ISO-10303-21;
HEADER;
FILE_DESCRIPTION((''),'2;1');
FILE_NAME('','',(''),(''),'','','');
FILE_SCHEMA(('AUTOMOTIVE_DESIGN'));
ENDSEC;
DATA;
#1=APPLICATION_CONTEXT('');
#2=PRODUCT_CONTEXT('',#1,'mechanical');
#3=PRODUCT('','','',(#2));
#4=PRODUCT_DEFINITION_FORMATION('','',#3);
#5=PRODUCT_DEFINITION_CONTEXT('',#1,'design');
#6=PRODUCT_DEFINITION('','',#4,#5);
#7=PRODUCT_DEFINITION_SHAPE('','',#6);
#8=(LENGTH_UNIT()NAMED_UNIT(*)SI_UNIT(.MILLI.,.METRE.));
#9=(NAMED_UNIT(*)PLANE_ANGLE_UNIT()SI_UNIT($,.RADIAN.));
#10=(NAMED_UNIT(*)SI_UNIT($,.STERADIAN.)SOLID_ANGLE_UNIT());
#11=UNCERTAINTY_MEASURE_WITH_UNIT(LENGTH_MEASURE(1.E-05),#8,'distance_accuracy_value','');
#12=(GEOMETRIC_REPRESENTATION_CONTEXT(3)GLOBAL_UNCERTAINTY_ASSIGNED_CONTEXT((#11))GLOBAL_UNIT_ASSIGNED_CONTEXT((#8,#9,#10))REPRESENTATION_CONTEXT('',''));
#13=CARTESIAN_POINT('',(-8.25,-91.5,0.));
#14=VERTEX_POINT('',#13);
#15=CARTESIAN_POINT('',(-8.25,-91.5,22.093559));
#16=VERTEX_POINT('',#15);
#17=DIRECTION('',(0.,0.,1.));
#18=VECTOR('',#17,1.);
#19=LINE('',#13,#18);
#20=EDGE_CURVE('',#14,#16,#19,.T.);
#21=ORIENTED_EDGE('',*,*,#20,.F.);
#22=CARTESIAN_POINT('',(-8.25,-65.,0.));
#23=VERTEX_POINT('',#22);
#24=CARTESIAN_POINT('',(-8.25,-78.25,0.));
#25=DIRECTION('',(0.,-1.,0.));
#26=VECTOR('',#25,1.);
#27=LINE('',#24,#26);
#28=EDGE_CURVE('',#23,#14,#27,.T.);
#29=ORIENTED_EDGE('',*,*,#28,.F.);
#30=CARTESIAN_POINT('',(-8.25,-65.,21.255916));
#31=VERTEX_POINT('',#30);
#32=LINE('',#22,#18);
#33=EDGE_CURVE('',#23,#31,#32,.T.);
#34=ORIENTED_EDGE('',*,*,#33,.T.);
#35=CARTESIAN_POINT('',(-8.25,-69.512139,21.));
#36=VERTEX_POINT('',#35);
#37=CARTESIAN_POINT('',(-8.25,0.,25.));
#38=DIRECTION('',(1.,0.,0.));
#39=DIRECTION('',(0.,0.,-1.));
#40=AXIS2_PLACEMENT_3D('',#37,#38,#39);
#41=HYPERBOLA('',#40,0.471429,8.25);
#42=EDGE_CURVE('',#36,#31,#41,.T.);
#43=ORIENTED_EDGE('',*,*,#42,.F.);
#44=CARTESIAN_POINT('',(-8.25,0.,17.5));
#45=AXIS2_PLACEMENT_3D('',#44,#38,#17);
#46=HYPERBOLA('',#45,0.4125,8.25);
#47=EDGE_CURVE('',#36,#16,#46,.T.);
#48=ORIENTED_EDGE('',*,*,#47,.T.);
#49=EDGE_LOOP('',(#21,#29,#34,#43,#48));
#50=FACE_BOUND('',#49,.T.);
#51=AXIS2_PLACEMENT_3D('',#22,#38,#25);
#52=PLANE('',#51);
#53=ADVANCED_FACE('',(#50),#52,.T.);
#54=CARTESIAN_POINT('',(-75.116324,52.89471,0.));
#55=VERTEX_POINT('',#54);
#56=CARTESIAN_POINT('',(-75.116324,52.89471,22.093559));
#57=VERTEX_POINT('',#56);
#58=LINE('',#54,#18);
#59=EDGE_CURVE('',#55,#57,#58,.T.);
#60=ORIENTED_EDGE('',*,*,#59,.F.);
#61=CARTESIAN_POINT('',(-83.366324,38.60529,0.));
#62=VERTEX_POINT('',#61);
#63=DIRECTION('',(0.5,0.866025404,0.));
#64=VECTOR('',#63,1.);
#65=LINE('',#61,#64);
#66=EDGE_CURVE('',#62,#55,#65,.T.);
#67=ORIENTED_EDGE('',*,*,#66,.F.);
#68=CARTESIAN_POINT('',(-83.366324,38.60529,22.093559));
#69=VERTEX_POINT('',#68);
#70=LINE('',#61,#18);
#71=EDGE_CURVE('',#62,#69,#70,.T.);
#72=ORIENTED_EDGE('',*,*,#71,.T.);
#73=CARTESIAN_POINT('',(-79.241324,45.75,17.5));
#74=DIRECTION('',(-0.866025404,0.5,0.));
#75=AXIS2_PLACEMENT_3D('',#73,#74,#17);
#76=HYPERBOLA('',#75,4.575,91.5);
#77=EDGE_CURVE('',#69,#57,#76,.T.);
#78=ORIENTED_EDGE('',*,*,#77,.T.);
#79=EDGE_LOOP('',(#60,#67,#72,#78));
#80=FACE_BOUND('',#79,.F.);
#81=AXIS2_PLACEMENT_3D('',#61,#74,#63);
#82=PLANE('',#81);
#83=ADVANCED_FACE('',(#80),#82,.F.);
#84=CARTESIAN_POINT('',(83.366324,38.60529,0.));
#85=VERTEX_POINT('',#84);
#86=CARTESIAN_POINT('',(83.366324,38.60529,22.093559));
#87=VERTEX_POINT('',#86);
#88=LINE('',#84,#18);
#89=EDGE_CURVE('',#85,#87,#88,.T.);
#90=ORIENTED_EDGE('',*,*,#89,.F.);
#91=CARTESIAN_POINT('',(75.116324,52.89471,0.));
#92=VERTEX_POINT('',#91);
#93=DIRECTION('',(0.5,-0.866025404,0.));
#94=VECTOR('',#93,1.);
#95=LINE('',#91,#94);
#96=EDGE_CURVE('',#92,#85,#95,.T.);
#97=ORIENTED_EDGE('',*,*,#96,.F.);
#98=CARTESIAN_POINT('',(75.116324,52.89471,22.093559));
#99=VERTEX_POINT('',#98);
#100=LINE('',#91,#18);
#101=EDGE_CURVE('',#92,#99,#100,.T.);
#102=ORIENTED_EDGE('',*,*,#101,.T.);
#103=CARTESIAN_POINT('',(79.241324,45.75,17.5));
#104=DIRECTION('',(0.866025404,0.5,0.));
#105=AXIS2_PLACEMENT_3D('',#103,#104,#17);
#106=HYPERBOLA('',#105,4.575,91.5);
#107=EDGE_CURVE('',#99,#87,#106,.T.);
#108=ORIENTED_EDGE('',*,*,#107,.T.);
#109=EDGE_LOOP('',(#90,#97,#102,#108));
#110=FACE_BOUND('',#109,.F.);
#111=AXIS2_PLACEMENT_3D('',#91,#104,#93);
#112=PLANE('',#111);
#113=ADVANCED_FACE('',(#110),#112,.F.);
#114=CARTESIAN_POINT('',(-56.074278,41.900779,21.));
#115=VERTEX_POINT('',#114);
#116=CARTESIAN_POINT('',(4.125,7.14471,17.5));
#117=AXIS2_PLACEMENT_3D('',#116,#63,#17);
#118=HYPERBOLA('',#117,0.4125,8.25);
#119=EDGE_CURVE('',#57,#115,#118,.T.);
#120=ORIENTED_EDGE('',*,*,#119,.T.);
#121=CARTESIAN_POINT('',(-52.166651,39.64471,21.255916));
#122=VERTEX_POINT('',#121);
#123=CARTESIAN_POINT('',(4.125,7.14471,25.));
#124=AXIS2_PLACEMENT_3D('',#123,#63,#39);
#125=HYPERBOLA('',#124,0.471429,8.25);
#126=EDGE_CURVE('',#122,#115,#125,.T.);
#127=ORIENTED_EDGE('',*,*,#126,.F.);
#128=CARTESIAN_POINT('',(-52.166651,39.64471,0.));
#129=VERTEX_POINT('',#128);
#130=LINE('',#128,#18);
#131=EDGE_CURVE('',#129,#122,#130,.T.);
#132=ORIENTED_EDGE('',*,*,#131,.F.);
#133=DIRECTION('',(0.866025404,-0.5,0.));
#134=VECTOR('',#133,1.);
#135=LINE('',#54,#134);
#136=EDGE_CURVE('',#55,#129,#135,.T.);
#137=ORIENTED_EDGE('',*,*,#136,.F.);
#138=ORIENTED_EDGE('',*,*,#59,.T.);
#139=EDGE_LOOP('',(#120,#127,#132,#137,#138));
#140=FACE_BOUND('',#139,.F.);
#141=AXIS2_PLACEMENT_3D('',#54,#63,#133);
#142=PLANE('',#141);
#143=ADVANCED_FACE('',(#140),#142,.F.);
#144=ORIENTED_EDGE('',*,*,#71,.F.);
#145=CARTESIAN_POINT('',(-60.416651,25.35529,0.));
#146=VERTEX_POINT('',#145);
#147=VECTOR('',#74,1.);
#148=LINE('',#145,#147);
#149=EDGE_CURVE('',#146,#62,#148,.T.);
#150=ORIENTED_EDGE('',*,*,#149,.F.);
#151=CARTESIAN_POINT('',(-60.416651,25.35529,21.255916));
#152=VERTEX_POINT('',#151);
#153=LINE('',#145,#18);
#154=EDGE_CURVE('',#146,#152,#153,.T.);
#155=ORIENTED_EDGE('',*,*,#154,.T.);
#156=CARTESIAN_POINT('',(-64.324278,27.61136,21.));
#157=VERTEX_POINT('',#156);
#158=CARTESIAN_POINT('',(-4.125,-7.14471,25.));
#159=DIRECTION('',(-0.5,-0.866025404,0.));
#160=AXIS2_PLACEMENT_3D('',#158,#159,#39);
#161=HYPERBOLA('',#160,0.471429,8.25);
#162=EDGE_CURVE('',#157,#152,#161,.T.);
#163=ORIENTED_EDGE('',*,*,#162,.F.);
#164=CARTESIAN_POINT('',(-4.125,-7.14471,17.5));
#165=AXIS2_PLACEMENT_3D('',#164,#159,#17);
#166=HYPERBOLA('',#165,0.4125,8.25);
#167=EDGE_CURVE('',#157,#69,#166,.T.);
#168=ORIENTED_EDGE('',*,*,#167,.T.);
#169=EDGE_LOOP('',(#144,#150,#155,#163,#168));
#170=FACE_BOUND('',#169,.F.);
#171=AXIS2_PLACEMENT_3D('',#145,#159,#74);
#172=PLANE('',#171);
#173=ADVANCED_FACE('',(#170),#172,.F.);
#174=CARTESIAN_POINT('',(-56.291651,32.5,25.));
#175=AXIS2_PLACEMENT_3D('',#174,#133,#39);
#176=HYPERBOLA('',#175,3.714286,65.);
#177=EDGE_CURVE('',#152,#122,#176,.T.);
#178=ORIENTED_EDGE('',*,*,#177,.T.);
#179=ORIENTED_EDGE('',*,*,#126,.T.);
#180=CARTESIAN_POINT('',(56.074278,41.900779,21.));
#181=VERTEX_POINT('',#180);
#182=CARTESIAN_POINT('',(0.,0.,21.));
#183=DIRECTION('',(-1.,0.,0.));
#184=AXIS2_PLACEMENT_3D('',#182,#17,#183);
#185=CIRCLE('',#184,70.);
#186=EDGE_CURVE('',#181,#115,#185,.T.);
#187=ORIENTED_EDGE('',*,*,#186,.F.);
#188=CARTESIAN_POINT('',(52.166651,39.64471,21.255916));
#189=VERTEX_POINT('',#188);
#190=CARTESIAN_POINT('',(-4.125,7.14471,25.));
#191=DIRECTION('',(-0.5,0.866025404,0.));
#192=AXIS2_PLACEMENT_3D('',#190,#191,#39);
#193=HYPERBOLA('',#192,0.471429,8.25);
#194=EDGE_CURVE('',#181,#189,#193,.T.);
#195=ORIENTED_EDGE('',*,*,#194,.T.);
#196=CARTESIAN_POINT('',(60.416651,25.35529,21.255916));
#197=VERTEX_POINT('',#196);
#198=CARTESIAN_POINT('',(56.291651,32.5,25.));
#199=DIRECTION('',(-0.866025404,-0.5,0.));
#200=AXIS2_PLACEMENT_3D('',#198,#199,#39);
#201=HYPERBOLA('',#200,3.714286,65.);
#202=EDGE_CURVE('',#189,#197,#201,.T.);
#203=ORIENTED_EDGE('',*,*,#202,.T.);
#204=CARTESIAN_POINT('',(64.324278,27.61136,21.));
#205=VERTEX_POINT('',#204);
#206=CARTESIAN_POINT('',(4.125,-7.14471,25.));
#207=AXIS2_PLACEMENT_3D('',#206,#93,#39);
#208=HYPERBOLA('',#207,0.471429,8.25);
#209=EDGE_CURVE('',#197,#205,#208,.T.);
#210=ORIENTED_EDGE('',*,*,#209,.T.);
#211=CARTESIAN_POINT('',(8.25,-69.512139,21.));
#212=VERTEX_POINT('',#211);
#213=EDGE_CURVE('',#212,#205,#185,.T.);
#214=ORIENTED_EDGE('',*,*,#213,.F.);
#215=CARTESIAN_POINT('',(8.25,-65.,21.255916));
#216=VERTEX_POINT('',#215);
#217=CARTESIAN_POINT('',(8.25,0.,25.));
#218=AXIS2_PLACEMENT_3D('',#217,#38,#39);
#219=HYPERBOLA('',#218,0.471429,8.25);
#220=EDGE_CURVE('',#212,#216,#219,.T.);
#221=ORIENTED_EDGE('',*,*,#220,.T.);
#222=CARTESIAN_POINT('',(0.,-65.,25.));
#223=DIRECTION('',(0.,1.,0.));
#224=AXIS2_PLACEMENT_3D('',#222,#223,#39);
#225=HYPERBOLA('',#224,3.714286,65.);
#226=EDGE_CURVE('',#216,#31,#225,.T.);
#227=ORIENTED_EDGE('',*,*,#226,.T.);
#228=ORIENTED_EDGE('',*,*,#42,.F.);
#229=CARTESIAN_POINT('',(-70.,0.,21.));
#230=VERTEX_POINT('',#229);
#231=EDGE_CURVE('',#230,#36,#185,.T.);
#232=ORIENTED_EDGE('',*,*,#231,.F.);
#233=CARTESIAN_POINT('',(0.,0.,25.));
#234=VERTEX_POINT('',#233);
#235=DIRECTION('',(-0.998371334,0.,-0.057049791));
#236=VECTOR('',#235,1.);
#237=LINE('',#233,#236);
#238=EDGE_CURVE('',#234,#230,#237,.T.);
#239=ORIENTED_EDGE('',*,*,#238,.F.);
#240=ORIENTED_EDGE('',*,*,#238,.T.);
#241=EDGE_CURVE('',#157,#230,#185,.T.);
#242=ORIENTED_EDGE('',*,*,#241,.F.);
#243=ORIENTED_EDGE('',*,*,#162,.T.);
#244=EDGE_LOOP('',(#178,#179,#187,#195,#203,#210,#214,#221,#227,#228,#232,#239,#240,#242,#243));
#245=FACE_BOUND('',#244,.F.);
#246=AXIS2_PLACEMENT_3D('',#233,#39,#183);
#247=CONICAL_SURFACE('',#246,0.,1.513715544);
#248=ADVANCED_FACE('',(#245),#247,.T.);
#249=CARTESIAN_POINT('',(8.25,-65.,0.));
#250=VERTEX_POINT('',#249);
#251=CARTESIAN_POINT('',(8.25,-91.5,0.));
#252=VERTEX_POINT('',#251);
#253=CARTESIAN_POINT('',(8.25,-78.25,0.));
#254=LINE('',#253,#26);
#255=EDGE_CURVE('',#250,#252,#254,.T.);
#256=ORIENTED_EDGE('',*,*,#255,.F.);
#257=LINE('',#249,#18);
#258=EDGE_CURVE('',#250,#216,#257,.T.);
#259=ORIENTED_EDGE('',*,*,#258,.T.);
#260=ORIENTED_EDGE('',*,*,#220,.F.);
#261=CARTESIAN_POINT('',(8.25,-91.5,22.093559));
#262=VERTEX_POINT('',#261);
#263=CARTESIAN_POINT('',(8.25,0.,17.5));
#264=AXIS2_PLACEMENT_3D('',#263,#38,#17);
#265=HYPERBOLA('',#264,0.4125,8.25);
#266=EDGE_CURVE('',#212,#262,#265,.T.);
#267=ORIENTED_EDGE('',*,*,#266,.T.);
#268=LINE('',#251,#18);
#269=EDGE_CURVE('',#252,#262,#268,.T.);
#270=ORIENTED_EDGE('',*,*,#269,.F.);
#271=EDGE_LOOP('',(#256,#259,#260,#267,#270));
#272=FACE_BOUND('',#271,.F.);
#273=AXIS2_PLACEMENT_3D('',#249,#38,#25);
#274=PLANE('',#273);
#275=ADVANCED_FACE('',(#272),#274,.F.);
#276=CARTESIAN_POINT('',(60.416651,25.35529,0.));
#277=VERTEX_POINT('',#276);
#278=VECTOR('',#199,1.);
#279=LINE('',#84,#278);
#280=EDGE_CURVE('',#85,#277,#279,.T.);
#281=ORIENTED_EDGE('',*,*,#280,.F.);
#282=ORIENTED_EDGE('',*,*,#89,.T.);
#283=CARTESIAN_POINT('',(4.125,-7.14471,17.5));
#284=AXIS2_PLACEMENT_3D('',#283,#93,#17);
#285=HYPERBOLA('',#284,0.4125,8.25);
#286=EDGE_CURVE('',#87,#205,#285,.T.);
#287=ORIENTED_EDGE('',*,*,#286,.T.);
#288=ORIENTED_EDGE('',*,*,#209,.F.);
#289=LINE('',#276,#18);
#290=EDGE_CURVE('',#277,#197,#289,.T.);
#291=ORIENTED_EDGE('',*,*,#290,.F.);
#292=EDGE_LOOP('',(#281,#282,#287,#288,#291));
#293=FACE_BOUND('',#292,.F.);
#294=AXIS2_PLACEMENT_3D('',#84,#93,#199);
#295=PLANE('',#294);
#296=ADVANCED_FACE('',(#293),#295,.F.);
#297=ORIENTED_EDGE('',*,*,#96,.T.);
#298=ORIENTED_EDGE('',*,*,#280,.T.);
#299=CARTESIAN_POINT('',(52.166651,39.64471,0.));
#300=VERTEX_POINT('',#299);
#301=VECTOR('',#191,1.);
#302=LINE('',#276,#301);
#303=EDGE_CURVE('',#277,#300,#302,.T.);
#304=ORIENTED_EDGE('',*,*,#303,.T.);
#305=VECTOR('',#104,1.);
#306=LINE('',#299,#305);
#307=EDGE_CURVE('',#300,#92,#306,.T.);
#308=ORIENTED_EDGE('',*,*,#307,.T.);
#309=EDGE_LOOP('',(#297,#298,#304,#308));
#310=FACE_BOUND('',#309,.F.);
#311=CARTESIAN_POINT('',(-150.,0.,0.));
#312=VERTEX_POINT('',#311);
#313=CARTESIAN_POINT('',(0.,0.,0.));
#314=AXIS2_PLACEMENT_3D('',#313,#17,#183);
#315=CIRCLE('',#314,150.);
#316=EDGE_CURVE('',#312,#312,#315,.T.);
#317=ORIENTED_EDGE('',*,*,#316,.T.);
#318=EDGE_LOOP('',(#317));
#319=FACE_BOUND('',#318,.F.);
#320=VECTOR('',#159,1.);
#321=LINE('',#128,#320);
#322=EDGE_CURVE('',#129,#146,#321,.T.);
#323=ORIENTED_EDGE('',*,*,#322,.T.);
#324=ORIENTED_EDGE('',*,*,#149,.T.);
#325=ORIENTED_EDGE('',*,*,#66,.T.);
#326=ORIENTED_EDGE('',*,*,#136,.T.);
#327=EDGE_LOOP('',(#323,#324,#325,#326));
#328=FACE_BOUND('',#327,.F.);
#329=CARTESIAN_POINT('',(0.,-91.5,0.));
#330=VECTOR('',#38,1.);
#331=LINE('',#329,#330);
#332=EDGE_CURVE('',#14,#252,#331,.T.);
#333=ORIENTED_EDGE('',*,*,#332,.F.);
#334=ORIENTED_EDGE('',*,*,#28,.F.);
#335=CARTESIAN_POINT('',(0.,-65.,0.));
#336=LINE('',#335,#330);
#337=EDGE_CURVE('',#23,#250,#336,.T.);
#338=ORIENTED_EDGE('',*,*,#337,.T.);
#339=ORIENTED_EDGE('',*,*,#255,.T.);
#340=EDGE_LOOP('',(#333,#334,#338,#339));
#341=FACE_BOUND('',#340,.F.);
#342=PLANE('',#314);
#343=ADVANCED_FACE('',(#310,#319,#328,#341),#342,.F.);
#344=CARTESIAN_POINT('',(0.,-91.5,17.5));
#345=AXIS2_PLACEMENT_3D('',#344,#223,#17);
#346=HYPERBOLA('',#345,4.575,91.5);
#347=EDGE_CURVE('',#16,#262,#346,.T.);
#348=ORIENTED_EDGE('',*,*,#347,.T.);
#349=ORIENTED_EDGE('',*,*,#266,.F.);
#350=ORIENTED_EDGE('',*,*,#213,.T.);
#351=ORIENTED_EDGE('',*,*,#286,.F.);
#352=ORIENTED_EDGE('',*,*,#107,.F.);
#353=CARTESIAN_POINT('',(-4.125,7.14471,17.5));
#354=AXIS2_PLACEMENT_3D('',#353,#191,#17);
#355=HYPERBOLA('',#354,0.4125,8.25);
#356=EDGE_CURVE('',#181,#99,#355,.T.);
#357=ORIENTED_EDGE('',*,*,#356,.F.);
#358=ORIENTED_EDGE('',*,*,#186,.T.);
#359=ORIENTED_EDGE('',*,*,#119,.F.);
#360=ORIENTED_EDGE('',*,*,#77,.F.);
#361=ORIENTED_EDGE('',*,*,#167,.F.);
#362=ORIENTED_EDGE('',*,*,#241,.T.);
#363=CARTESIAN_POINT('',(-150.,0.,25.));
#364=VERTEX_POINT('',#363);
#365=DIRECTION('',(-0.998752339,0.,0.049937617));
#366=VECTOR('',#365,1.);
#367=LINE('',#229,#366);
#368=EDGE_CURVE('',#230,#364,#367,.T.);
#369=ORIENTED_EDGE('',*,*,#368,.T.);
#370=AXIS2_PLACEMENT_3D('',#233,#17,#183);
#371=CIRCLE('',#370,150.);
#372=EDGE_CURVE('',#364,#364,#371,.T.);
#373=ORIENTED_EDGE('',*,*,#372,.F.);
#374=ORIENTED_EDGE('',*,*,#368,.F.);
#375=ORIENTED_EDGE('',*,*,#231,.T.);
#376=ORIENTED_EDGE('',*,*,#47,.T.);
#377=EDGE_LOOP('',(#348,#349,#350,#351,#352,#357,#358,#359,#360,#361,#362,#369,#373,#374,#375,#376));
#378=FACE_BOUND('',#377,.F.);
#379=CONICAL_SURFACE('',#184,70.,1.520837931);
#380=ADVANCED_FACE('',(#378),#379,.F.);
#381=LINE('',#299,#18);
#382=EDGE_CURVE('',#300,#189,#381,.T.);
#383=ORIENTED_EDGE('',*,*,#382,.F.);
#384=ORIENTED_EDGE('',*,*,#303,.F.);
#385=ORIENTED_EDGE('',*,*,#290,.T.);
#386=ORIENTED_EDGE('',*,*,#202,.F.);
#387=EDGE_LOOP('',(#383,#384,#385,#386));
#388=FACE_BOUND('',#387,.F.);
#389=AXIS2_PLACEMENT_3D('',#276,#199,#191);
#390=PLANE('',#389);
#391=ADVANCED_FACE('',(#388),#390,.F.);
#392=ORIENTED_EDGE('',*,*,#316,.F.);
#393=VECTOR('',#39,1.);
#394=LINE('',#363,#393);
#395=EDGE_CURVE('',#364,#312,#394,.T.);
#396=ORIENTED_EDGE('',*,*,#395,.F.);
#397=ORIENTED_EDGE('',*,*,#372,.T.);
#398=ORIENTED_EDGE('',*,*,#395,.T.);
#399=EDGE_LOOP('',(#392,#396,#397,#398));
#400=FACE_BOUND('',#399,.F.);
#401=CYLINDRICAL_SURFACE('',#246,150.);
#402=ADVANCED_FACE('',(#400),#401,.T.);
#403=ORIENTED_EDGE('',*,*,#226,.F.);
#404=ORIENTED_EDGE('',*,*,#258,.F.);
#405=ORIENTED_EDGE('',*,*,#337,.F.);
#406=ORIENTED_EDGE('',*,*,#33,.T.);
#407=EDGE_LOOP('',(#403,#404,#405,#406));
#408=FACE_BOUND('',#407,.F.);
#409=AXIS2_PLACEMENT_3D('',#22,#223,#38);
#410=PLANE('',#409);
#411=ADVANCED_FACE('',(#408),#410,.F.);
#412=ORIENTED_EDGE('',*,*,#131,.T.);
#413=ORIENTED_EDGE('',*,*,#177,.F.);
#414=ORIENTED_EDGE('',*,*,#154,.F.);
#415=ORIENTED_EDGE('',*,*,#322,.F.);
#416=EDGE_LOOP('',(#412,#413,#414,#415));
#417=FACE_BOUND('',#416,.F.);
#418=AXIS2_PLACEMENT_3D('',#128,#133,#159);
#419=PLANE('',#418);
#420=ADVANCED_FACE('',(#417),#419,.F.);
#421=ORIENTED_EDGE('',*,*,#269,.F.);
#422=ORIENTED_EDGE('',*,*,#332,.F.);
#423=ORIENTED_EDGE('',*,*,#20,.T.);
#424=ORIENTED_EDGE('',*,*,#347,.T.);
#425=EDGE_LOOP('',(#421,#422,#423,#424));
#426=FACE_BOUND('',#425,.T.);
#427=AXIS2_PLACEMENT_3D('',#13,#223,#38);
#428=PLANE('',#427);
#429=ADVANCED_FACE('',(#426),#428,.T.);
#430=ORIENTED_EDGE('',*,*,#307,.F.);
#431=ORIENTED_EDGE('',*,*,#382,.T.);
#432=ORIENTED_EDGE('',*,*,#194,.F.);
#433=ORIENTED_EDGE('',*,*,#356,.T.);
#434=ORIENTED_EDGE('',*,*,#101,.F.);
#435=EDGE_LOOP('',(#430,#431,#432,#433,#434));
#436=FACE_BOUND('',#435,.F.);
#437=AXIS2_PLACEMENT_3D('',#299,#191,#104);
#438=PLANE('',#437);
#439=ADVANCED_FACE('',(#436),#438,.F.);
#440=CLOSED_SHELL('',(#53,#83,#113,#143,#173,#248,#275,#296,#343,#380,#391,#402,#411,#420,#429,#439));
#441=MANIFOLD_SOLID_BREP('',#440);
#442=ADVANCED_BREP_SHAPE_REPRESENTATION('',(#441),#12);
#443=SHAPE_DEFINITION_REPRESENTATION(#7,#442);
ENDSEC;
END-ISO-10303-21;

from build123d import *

# Parameters (mm, degrees)
F2_W     = 16.5
F2_H     = 26.5
F3_DEPTH = 22.0945586695


with BuildPart() as f1:
    # F0 (on Front) → F1 (revolve)
    with BuildSketch(Plane.XZ):
        Polygon((-150, 0), (-70, 0), (-70, 21), (-150, 25), align=None)
        Polygon((-70, 0), (0, 0), (0, 25), (-70, 21), align=None)
    revolve(axis=Axis((0, 0, 12.5), (0, 0, 1)))

    # F2 (on face) → F3 (cut, through all)
    with BuildSketch(Plane(origin=(0, 0, 0), x_dir=(1, 0, 0), z_dir=(0, 0, -1))):
        with Locations((0, 78.25)):
            Rectangle(F2_W, F2_H)
        Polygon((-52.166651246, -39.6447095812), (-60.416651246, -25.3552904188), (-83.3663244463, -38.6052904188), (-75.1163244463, -52.8947095812), align=None)
        Polygon((60.416651246, -25.3552904188), (52.166651246, -39.6447095812), (75.1163244463, -52.8947095812), (83.3663244463, -38.6052904188), align=None)
    extrude(amount=-F3_DEPTH, mode=Mode.SUBTRACT)


solid = f1.part
